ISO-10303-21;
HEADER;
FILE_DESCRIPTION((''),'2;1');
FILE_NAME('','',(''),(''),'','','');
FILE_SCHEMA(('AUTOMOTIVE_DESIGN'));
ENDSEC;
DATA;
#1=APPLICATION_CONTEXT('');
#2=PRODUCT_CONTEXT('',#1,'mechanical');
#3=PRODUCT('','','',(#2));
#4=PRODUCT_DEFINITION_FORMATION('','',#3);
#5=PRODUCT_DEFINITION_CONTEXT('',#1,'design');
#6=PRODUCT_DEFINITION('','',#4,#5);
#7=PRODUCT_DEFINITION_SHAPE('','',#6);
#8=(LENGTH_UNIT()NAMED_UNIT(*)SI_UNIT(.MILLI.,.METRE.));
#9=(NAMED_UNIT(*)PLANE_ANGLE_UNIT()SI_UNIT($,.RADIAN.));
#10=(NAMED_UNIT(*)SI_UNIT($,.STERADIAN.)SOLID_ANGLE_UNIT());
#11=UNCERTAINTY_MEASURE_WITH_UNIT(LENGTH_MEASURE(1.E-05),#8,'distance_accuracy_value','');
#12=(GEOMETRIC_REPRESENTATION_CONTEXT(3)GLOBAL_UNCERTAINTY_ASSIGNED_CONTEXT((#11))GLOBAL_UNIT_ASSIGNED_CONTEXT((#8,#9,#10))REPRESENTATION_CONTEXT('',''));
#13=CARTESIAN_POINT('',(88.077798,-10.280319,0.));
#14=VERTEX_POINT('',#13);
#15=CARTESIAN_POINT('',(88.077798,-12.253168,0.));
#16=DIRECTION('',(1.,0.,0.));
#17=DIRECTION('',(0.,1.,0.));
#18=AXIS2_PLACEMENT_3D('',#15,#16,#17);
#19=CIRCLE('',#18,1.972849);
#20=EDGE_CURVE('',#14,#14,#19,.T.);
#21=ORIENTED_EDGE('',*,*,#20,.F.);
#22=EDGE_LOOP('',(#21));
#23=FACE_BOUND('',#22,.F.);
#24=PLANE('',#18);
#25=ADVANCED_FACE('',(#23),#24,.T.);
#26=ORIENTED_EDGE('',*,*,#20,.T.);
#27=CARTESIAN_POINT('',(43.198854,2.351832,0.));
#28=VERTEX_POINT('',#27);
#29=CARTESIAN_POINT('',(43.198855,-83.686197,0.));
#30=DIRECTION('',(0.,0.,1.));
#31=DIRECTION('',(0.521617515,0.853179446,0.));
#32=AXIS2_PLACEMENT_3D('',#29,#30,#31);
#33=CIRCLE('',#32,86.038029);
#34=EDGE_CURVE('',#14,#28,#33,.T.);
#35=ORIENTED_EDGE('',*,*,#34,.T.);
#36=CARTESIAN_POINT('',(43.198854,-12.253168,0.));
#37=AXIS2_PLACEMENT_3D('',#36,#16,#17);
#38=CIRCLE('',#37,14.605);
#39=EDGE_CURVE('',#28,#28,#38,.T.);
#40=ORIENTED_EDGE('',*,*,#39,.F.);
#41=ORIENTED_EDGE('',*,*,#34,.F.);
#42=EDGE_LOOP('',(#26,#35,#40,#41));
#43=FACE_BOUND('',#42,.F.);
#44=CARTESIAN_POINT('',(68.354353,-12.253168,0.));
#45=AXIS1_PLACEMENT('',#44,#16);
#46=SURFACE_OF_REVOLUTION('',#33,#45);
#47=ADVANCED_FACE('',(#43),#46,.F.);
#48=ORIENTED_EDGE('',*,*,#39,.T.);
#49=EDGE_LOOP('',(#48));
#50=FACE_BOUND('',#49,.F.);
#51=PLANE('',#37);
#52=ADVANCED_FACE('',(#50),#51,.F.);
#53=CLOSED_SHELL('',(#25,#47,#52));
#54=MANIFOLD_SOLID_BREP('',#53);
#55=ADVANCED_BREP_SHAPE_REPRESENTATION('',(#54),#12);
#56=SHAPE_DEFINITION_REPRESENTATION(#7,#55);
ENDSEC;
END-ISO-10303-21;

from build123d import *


with BuildPart() as f1:
    # F0 (on Top) → F1 (revolve)
    with BuildSketch(Plane.XY):
        with BuildLine():
            Line((43.198854, 2.351832), (43.198854, -12.253168))
            Line((43.198854, -12.253168), (88.077798, -12.253168))
            Line((88.077798, -12.253168), (88.077798, -10.280319))
            ThreePointArc((88.077798, -10.280319), (66.510283, -0.866394), (43.198854, 2.351832))
        make_face()
    revolve(axis=Axis((68.354353, -12.253168, 0), (1, 0, 0)))


solid = f1.part
